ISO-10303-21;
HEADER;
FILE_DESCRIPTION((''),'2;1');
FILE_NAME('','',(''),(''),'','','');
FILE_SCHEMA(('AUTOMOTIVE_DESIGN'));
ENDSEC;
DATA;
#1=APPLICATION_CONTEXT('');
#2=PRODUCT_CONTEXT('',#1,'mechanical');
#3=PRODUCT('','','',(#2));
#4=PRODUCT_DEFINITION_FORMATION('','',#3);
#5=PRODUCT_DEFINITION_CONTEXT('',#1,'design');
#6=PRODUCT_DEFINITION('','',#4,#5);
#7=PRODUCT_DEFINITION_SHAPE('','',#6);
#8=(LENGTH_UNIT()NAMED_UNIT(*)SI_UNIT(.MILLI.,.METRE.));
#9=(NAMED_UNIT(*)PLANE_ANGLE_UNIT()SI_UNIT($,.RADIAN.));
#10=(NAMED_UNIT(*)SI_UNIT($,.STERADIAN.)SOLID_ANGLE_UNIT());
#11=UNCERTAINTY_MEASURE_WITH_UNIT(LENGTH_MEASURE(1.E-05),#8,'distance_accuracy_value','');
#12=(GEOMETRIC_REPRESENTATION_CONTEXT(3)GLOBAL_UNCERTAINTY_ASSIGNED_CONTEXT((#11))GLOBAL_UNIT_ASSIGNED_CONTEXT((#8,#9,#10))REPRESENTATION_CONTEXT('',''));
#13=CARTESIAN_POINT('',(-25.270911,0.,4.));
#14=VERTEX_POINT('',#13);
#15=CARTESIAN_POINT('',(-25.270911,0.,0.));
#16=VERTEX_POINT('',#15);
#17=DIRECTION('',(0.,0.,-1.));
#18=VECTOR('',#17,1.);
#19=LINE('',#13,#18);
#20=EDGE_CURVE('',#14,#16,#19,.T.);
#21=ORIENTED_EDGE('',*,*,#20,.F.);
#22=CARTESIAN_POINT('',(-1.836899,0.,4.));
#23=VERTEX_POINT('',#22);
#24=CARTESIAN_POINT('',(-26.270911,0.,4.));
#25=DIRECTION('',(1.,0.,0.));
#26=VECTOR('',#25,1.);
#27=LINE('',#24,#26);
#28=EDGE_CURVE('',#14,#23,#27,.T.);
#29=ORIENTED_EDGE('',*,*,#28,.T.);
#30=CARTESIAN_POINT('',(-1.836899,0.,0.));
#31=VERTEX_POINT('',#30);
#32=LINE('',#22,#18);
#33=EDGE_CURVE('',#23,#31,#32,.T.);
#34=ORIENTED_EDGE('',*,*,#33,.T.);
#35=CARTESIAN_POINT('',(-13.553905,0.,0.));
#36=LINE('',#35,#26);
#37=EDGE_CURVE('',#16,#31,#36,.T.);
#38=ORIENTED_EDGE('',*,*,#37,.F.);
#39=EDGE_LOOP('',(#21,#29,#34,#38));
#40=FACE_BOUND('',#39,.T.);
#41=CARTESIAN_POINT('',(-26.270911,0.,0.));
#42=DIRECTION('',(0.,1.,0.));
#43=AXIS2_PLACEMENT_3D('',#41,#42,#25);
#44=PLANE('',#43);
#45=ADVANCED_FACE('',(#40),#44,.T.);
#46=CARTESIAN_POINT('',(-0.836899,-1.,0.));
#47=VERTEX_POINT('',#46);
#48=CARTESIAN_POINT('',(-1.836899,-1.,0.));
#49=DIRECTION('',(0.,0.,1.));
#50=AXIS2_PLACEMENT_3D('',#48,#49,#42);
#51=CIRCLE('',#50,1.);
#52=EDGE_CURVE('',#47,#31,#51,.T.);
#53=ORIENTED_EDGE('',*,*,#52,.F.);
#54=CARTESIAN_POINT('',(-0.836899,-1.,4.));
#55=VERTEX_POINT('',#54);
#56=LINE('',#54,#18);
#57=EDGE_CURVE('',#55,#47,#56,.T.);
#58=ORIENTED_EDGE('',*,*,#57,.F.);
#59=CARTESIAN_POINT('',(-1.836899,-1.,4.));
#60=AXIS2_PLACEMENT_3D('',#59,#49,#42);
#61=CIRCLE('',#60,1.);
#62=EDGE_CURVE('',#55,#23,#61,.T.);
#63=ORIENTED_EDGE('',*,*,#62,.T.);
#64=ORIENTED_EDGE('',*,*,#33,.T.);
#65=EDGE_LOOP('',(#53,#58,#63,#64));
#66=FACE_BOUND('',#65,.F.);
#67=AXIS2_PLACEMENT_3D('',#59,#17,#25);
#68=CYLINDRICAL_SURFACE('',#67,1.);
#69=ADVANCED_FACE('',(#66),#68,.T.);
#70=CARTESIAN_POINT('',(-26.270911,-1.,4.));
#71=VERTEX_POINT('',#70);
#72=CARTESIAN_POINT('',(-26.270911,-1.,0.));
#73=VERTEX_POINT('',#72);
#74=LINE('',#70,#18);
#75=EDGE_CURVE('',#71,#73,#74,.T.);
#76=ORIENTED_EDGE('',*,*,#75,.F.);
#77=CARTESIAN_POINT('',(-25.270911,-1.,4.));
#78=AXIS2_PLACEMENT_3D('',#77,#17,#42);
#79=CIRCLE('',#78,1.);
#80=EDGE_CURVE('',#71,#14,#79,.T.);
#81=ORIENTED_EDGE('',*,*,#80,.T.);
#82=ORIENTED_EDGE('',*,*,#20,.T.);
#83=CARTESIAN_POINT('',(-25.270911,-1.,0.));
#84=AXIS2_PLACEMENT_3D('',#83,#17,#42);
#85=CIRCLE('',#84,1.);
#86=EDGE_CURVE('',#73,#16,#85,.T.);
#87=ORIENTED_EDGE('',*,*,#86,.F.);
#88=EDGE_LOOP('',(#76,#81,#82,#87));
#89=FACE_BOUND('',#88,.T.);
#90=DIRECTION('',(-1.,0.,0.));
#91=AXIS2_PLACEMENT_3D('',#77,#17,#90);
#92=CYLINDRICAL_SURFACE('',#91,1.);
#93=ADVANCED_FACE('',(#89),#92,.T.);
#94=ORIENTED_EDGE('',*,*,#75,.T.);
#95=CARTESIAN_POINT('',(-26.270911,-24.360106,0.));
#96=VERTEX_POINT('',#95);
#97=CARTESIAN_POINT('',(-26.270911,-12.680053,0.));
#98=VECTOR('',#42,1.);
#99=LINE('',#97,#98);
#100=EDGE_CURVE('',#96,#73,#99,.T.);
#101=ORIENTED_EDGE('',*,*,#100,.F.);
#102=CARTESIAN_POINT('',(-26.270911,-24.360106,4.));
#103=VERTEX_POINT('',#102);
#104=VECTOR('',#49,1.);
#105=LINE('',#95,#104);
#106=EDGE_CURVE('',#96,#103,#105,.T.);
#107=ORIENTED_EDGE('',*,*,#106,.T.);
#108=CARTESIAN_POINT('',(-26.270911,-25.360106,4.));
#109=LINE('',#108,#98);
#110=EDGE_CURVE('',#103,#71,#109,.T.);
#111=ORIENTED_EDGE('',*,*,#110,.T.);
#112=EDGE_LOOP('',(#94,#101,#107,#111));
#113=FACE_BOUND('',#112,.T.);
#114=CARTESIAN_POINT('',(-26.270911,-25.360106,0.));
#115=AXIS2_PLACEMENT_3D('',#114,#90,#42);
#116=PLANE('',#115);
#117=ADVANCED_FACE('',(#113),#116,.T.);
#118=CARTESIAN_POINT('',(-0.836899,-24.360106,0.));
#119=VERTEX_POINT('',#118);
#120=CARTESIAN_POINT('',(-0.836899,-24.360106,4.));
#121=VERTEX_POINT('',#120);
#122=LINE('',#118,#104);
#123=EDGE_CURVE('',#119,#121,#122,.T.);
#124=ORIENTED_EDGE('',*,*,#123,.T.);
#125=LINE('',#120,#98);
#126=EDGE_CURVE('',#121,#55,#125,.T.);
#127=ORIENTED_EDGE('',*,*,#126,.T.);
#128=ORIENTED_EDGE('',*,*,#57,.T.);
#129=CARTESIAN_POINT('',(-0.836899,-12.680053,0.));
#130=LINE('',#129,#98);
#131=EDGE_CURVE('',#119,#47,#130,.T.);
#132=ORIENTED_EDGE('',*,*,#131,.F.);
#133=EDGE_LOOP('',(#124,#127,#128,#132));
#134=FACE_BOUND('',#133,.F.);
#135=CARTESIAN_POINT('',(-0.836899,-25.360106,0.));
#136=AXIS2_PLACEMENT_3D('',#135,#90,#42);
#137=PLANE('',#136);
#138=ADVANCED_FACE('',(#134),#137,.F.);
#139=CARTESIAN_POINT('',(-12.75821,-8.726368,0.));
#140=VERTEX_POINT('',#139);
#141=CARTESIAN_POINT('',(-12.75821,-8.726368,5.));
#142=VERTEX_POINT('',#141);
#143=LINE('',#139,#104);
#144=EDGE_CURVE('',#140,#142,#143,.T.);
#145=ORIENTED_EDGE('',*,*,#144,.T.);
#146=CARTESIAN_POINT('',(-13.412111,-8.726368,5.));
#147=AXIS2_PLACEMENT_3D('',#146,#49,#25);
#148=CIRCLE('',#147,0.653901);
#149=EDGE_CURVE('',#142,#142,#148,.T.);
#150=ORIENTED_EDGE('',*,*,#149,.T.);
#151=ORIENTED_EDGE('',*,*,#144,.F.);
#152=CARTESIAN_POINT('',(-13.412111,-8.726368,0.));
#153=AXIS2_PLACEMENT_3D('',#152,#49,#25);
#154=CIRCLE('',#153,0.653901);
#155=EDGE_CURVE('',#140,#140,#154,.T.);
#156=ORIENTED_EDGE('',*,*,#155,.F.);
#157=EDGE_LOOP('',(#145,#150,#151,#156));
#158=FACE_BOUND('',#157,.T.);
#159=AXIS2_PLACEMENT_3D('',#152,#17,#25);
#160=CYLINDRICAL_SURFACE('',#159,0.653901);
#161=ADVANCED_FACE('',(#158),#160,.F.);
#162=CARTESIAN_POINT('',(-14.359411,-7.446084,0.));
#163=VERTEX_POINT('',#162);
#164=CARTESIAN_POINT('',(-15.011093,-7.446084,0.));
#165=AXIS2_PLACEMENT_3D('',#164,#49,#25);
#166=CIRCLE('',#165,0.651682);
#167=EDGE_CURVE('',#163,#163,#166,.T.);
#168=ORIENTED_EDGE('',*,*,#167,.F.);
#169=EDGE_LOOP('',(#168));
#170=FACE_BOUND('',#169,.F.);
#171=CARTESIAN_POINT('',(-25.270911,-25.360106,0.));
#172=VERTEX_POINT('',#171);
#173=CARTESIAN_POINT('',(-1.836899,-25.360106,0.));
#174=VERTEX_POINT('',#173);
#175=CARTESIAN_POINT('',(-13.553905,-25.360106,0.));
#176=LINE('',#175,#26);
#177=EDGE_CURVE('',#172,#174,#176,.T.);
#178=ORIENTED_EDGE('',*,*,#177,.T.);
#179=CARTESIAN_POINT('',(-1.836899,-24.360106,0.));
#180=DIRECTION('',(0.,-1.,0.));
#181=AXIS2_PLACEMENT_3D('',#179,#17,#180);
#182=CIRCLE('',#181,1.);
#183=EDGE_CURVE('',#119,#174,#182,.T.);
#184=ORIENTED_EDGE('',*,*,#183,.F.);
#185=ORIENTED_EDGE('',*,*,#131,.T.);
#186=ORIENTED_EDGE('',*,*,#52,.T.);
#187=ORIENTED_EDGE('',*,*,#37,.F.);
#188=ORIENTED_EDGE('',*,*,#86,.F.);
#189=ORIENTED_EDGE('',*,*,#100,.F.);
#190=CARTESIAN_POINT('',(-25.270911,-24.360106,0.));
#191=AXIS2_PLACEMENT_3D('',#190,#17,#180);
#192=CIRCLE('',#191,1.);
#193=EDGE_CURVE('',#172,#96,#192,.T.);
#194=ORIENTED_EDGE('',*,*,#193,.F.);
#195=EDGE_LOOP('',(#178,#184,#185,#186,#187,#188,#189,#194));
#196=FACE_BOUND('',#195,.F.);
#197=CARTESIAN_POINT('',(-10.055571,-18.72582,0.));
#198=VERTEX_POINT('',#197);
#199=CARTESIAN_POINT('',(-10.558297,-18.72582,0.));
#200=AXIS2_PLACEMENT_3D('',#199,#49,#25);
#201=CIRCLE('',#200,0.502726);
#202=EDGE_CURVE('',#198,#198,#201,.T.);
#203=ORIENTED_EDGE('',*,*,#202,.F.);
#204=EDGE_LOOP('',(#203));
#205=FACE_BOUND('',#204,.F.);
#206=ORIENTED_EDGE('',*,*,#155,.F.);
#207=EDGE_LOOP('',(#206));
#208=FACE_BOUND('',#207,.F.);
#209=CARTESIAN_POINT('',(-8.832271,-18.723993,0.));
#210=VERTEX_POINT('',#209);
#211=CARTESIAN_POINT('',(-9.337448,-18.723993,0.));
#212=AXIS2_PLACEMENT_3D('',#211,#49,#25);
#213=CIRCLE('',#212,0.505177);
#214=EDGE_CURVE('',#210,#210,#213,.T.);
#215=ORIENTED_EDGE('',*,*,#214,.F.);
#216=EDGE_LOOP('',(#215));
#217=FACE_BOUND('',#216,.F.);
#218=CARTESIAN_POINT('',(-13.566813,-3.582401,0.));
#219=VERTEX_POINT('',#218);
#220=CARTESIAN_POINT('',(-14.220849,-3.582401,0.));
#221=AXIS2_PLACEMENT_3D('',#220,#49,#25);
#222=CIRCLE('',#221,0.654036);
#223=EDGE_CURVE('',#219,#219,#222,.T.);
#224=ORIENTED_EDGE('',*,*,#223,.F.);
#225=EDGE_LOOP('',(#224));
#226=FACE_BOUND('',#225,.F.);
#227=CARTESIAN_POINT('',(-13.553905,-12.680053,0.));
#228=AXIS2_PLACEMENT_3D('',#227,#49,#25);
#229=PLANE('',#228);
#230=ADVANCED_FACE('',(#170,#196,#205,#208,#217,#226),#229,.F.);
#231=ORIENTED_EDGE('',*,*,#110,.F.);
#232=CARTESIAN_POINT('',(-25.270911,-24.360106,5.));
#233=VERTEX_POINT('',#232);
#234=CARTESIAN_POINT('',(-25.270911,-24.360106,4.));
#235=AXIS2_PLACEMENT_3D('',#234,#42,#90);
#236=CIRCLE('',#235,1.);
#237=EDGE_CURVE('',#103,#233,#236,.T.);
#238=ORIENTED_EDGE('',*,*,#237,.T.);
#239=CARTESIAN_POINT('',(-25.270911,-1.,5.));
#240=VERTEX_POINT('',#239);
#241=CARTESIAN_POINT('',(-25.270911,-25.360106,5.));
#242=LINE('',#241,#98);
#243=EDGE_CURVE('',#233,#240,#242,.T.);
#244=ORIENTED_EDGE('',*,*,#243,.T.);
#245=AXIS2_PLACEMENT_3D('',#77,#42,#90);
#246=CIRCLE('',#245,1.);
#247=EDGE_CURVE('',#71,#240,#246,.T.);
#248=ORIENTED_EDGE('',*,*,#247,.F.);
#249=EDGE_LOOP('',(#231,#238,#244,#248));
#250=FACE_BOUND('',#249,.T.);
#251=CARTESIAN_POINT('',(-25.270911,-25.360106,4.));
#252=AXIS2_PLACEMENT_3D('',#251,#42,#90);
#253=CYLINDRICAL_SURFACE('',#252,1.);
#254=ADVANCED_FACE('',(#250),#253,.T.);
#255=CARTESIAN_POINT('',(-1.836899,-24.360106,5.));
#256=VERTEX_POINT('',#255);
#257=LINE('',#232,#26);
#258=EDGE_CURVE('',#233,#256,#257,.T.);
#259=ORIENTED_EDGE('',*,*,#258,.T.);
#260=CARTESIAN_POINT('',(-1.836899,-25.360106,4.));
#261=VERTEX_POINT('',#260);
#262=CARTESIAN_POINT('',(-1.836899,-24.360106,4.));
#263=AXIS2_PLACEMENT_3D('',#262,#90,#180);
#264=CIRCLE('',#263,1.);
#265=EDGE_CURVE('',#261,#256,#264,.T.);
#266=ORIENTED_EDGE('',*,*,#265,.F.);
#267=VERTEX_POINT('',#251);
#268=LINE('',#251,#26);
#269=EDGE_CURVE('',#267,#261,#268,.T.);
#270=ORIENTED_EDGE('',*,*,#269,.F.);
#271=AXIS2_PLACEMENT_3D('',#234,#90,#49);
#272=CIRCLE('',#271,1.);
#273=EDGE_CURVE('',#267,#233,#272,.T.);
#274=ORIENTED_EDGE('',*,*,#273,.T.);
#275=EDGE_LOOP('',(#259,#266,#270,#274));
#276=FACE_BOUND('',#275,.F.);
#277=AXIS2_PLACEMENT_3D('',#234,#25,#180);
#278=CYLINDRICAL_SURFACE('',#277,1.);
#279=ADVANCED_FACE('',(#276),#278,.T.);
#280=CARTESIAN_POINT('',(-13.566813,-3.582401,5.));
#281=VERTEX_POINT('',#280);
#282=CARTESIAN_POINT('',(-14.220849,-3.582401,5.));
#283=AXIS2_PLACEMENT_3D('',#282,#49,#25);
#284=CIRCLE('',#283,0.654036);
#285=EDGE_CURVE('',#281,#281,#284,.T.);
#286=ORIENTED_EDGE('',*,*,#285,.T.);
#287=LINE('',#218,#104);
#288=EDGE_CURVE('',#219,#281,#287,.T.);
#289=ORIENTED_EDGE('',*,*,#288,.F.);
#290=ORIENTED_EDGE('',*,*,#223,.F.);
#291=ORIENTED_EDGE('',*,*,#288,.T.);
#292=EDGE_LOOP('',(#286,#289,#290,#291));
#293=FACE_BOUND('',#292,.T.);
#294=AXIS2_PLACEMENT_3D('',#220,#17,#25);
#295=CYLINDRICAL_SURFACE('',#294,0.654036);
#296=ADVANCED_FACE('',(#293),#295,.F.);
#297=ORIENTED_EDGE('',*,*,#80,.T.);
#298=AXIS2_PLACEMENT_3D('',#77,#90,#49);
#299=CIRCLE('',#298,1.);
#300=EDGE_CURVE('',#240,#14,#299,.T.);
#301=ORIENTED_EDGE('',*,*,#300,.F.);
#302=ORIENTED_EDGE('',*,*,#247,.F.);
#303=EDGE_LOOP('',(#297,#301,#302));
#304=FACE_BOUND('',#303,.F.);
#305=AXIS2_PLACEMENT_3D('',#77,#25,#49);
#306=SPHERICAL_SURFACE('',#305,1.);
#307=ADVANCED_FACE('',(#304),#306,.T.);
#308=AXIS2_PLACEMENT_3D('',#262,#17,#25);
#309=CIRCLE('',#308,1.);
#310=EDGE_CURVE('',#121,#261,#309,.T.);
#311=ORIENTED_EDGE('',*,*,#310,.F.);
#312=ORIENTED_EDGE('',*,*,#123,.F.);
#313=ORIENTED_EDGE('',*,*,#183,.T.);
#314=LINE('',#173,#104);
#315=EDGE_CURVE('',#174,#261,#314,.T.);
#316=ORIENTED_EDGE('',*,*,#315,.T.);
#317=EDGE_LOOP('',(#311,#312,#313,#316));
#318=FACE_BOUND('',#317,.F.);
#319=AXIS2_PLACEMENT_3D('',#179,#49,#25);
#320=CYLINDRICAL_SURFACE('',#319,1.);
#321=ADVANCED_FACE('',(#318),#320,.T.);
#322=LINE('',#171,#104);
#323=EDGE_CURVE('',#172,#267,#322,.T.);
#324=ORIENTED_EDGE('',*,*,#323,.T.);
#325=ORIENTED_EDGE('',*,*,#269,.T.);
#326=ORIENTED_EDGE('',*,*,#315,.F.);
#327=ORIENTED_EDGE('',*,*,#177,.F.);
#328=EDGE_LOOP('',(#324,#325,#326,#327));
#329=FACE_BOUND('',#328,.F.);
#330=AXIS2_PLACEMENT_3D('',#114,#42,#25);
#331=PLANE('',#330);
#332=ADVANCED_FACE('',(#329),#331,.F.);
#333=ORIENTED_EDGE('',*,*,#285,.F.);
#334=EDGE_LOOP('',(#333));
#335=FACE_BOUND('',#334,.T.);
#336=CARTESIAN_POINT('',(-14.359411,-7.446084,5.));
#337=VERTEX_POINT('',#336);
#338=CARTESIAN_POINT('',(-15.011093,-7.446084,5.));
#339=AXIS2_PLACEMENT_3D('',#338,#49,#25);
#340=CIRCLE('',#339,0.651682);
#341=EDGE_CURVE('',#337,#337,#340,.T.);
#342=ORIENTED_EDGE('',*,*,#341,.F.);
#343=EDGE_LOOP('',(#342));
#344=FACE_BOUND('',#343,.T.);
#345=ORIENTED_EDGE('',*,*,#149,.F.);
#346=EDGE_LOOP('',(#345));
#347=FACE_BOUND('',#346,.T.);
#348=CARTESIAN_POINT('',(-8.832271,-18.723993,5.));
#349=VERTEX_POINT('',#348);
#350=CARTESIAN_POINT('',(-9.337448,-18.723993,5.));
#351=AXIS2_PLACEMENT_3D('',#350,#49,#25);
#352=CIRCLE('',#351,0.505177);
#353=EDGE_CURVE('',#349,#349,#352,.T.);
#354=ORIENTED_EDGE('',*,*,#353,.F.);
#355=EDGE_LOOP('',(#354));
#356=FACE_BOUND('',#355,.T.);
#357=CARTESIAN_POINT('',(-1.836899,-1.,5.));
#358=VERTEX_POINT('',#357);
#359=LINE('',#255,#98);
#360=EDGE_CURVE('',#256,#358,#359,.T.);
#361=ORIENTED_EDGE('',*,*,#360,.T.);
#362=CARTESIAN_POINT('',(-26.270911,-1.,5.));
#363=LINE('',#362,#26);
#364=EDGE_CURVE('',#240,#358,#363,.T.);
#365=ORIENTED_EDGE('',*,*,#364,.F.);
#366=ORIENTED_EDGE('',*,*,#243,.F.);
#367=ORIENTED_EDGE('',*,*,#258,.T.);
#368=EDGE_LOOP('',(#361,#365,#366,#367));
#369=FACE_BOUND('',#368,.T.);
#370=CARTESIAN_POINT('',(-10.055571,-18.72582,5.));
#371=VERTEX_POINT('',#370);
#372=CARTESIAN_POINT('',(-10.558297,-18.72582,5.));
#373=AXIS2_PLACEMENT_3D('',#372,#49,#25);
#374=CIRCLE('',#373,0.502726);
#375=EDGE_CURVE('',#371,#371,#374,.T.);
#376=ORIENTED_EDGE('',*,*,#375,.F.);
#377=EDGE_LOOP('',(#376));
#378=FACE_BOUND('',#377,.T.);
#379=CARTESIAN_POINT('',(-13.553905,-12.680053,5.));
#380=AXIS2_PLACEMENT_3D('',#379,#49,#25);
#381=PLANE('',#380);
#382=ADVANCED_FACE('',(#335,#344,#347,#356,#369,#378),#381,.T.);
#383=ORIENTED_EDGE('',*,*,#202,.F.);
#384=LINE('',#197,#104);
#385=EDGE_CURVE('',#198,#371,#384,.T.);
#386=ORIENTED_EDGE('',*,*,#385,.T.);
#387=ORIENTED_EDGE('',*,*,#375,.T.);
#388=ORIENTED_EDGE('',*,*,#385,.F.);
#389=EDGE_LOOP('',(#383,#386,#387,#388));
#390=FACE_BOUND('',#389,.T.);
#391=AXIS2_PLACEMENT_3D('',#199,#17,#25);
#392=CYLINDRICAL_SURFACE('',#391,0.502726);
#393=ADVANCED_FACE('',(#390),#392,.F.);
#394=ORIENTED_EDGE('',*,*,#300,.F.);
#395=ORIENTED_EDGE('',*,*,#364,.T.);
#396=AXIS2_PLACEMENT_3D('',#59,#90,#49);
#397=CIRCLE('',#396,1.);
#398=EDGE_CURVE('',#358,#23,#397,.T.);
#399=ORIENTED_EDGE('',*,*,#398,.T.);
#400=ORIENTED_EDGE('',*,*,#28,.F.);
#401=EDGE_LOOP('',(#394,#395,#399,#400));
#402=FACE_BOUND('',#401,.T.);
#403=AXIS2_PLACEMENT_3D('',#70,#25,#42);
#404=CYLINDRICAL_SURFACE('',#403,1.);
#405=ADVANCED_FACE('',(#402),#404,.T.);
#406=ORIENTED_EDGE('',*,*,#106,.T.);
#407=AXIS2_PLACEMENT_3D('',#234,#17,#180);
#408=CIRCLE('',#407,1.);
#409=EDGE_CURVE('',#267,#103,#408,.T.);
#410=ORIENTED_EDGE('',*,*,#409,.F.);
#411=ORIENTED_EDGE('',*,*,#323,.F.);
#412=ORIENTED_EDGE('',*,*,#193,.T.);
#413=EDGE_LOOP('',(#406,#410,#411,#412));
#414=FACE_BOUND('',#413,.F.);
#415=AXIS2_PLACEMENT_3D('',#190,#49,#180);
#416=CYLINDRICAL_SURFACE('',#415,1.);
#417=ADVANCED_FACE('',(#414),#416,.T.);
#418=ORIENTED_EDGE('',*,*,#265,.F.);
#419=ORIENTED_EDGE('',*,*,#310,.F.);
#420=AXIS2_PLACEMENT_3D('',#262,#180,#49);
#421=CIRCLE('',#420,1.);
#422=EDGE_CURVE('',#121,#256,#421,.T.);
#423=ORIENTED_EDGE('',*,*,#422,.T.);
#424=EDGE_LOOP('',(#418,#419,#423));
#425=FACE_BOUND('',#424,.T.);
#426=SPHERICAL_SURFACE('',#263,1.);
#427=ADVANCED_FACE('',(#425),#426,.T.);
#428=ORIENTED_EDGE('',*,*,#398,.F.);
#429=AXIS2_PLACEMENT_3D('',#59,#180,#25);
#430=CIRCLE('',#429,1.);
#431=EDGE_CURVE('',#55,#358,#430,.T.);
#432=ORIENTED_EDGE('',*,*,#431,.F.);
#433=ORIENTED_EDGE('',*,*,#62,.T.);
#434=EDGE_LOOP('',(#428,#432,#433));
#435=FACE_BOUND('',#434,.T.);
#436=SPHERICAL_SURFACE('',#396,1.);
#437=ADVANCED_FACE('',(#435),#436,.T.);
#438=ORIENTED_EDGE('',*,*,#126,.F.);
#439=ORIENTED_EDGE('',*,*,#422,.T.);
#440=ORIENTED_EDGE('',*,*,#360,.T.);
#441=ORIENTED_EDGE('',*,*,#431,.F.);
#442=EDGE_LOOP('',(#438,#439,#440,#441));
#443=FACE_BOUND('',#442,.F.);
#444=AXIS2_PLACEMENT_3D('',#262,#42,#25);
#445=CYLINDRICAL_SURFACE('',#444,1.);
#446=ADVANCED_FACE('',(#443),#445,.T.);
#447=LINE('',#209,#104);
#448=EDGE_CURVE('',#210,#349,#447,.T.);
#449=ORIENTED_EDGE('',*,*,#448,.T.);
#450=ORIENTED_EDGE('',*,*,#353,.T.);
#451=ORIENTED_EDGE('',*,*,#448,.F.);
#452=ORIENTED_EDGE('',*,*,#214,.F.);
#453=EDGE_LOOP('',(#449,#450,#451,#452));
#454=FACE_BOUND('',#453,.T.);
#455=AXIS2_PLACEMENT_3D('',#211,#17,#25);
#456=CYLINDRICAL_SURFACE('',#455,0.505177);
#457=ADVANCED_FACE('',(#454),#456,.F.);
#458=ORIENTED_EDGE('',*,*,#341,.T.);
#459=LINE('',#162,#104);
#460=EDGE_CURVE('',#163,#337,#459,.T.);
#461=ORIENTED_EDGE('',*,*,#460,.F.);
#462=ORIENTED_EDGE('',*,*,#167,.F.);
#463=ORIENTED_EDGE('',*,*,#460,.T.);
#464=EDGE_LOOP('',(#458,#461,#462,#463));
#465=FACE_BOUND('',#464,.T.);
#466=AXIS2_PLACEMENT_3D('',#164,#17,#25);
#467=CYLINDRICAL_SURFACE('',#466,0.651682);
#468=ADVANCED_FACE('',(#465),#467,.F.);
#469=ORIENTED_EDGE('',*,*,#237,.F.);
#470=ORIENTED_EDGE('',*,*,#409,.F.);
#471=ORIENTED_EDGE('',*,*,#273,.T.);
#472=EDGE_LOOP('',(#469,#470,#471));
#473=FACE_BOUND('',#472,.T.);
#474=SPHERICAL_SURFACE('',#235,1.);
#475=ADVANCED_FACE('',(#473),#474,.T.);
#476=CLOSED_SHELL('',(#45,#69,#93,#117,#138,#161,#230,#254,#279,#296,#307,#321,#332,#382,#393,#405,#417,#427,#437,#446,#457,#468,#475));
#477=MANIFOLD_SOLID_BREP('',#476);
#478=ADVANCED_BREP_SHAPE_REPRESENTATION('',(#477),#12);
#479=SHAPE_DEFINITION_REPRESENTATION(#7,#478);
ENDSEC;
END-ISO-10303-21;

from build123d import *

# Parameters (mm, degrees)
F0_W     = 25.434012
F0_H     = 25.360106
F0_R     = 0.502726
F0_R_2   = 0.505177
F0_R_3   = 0.651682
F0_R_4   = 0.654036
F0_R_5   = 0.653901
F1_DEPTH = 5
F2_R     = 1
F3_R     = 1
F4_R     = 1
F5_R     = 1


with BuildPart() as f1:
    # F0 (on Top) → F1 (new body)
    with BuildSketch(Plane.XY):
        with Locations((-13.553905, -12.680053)):
            Rectangle(F0_W, F0_H)
        with Locations((-10.558297, -18.72582)):
            Circle(F0_R, mode=Mode.SUBTRACT)
        with Locations((-9.337448, -18.723993)):
            Circle(F0_R_2, mode=Mode.SUBTRACT)
        with Locations((-15.011093, -7.446084)):
            Circle(F0_R_3, mode=Mode.SUBTRACT)
        with Locations((-14.220849, -3.582401)):
            Circle(F0_R_4, mode=Mode.SUBTRACT)
        with Locations((-13.412111, -8.726368)):
            Circle(F0_R_5, mode=Mode.SUBTRACT)
    extrude(amount=F1_DEPTH)

    # F2
    f2_edges = [f1.edges().sort_by_distance(p)[0] for p in [
        (-13.553905, 0, 5),
    ]]
    fillet(f2_edges, radius=F2_R)

    # F3
    f3_edges = [f1.edges().sort_by_distance(p)[0] for p in [
        (-26.270911, -13.180053, 5),
    ]]
    fillet(f3_edges, radius=F3_R)

    # F4
    f4_edges = [f1.edges().sort_by_distance(p)[0] for p in [
        (-13.053905, -25.360106, 5),
    ]]
    fillet(f4_edges, radius=F4_R)

    # F5
    f5_edges = [f1.edges().sort_by_distance(p)[0] for p in [
        (-0.836899, -12.680053, 5),
    ]]
    fillet(f5_edges, radius=F5_R)


solid = f1.part
